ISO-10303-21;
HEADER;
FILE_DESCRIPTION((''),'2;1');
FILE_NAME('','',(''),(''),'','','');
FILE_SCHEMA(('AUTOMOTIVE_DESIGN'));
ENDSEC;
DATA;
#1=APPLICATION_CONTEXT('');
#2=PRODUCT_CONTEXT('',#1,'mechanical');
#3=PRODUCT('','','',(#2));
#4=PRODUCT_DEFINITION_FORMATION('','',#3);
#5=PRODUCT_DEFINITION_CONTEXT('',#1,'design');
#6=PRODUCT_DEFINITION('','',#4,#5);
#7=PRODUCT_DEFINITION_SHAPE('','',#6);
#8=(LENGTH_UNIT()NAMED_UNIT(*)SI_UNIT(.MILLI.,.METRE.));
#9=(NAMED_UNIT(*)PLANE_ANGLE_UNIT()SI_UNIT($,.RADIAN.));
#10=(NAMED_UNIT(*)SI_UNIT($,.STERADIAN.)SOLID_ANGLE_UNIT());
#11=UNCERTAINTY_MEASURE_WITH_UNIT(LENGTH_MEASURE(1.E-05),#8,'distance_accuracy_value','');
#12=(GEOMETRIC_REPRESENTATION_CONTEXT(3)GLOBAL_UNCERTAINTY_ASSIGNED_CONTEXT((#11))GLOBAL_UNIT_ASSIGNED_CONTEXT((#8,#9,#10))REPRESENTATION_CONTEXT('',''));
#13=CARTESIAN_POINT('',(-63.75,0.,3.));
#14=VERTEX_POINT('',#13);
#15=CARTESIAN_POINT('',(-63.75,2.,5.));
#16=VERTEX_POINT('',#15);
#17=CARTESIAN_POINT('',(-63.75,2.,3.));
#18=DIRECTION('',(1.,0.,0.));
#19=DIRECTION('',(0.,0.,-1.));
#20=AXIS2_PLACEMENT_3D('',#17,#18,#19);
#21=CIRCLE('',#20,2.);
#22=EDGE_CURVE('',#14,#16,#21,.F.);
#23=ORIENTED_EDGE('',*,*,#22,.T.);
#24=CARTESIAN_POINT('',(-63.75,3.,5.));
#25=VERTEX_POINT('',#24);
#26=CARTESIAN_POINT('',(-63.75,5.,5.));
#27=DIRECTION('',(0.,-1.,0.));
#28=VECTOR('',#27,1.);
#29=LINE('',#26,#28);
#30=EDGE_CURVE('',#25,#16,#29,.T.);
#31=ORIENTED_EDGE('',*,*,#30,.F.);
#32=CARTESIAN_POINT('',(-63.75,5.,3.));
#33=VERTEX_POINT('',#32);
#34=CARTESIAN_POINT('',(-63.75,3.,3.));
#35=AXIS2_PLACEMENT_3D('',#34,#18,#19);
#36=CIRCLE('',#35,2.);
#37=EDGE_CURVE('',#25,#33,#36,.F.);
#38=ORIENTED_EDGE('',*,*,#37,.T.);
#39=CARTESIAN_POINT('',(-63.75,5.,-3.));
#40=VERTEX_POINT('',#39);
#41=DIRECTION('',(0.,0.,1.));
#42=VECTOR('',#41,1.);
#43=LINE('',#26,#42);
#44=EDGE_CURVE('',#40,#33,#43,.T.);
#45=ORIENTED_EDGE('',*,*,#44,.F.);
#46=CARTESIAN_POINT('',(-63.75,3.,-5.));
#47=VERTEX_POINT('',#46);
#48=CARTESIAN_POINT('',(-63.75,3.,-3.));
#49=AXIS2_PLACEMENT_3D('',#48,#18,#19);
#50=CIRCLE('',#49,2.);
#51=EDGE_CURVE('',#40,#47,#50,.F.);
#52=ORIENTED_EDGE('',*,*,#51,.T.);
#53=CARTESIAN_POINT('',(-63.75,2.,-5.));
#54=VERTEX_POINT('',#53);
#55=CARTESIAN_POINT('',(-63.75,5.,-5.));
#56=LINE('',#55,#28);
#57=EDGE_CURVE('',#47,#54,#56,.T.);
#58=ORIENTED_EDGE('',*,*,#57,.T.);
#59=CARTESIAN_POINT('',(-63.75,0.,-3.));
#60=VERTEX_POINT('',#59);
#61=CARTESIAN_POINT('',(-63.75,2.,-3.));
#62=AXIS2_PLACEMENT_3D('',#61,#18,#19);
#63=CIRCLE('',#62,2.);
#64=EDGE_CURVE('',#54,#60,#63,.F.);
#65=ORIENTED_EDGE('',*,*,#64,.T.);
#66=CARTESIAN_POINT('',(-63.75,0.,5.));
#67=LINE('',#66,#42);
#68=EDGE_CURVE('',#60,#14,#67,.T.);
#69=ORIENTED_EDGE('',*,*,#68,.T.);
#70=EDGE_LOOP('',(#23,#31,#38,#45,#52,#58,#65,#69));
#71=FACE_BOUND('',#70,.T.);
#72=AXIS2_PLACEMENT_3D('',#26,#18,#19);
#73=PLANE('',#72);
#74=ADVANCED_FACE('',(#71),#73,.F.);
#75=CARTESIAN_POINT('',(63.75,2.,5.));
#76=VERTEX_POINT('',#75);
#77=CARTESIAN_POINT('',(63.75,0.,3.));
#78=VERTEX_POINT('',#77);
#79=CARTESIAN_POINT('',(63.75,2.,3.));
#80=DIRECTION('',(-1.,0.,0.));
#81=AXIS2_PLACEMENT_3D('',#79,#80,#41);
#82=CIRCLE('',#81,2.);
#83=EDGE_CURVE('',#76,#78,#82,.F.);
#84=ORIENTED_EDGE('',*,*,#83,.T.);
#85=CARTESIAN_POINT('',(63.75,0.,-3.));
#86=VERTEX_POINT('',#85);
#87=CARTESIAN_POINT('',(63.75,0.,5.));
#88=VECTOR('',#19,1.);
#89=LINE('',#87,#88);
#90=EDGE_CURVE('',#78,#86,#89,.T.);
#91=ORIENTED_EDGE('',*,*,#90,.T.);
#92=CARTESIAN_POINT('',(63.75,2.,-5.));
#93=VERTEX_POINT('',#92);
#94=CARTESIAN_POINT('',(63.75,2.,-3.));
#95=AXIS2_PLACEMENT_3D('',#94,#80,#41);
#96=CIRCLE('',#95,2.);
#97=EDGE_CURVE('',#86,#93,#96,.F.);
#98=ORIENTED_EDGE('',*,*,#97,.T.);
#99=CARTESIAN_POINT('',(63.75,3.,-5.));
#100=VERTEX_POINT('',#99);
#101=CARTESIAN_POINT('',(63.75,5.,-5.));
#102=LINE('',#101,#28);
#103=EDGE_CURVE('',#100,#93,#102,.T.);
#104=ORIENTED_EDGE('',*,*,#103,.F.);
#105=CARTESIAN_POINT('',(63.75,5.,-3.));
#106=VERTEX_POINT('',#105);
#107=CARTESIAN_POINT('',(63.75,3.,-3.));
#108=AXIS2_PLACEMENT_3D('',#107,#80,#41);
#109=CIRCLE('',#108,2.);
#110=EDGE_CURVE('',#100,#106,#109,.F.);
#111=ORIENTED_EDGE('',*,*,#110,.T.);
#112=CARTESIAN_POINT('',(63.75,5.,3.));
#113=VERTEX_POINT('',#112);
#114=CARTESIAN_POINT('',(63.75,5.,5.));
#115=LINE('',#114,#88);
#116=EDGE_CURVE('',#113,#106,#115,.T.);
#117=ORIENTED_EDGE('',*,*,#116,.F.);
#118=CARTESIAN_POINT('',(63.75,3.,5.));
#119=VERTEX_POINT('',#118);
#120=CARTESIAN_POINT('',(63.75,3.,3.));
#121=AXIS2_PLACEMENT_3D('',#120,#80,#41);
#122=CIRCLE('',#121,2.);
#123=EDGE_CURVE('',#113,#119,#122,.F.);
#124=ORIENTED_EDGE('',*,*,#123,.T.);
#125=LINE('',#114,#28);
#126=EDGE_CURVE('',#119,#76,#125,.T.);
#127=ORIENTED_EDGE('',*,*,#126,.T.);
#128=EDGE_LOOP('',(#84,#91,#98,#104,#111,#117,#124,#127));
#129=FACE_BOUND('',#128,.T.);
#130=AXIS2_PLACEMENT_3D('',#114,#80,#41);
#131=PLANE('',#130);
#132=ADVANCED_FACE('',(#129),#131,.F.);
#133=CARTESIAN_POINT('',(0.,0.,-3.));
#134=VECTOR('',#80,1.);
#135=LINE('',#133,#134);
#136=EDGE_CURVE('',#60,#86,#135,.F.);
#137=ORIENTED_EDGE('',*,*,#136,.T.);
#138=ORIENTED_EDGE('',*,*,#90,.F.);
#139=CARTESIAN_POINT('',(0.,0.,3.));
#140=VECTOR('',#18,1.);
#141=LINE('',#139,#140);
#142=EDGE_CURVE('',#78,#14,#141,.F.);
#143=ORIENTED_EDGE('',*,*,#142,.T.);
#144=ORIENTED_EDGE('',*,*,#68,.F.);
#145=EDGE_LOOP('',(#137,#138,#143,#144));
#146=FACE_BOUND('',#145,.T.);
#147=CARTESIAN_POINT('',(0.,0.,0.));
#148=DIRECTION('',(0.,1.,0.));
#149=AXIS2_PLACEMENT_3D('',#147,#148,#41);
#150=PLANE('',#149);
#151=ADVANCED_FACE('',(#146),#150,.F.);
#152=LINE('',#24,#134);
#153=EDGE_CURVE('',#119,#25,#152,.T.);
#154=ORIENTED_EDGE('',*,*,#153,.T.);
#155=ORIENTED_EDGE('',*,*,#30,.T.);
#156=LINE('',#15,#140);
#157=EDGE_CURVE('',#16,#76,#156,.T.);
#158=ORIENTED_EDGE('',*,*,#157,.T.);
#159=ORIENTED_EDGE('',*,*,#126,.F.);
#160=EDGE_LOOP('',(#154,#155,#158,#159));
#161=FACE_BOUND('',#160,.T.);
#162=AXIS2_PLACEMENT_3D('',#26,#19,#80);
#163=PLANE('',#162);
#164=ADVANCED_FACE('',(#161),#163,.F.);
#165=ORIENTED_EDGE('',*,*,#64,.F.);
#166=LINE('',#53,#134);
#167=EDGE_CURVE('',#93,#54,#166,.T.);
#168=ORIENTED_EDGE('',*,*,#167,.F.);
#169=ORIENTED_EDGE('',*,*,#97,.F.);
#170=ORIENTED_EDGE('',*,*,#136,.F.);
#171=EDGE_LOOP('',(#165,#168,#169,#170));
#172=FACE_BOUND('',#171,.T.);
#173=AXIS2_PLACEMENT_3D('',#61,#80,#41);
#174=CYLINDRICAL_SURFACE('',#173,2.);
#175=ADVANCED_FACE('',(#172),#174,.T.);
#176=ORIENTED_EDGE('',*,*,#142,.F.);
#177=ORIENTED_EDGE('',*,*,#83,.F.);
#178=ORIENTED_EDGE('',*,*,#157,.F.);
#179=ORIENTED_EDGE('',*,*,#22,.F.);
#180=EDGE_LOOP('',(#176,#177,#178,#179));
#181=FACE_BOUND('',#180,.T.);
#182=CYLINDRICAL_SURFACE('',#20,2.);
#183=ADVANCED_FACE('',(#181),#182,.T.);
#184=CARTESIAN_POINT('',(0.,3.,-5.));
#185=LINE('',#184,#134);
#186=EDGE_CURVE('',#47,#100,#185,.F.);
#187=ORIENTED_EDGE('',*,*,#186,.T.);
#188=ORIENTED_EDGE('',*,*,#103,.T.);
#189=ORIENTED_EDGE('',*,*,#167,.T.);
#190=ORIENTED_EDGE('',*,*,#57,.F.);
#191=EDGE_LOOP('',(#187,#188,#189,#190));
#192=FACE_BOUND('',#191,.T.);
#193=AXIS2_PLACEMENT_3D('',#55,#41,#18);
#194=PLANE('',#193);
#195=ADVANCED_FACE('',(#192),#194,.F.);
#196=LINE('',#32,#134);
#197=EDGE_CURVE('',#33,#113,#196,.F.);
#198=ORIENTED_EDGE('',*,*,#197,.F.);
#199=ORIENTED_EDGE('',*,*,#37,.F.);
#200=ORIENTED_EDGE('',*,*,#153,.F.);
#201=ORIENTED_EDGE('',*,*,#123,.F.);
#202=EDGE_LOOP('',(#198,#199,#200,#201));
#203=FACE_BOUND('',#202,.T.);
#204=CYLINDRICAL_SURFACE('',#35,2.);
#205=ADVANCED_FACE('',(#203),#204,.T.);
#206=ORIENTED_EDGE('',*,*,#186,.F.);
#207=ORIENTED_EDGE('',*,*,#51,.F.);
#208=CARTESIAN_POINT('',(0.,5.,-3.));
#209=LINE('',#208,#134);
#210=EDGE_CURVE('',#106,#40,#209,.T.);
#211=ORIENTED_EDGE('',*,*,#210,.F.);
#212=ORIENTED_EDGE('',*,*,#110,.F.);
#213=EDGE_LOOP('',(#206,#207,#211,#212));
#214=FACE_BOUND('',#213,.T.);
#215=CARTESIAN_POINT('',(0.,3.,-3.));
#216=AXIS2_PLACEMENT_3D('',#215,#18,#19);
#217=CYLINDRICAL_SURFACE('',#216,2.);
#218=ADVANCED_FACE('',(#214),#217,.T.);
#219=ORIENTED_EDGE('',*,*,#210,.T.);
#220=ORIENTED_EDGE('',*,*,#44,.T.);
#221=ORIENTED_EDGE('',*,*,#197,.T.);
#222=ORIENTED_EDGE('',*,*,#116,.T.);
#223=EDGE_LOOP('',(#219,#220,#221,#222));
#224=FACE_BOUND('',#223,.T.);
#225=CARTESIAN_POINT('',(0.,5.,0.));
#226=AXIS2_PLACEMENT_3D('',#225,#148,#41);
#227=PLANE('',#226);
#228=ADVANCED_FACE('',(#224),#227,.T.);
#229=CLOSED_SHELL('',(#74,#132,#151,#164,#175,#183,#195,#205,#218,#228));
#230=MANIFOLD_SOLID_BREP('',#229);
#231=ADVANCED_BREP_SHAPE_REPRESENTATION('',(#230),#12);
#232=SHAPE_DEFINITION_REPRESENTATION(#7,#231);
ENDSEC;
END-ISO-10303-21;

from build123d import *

# Parameters (mm, degrees)
SKETCH1_W           = 127.5
SKETCH1_H           = 10
BOSS_EXTRUDE1_DEPTH = 5
FILLET1_R           = 2
FILLET2_R           = 2
FILLET3_R           = 2
FILLET4_R           = 2


with BuildPart() as part:
    # Sketch1 → Boss-Extrude1 (new body)
    with BuildSketch(Plane(origin=(0, 0, 0), x_dir=(1, 0, 0), z_dir=(0, 1, 0))):
        Rectangle(SKETCH1_W, SKETCH1_H)
    extrude(amount=BOSS_EXTRUDE1_DEPTH)

    # Fillet1
    fillet1_edges = [part.edges().sort_by_distance(p)[0] for p in [
        (0, 5, 5),
    ]]
    fillet(fillet1_edges, radius=FILLET1_R)

    # Fillet2
    fillet2_edges = [part.edges().sort_by_distance(p)[0] for p in [
        (0, 0, 5),
    ]]
    fillet(fillet2_edges, radius=FILLET2_R)

    # Fillet3
    fillet3_edges = [part.edges().sort_by_distance(p)[0] for p in [
        (0, 5, -5),
    ]]
    fillet(fillet3_edges, radius=FILLET3_R)

    # Fillet4
    fillet4_edges = [part.edges().sort_by_distance(p)[0] for p in [
        (0, 0, -5),
    ]]
    fillet(fillet4_edges, radius=FILLET4_R)


solid = part.part
